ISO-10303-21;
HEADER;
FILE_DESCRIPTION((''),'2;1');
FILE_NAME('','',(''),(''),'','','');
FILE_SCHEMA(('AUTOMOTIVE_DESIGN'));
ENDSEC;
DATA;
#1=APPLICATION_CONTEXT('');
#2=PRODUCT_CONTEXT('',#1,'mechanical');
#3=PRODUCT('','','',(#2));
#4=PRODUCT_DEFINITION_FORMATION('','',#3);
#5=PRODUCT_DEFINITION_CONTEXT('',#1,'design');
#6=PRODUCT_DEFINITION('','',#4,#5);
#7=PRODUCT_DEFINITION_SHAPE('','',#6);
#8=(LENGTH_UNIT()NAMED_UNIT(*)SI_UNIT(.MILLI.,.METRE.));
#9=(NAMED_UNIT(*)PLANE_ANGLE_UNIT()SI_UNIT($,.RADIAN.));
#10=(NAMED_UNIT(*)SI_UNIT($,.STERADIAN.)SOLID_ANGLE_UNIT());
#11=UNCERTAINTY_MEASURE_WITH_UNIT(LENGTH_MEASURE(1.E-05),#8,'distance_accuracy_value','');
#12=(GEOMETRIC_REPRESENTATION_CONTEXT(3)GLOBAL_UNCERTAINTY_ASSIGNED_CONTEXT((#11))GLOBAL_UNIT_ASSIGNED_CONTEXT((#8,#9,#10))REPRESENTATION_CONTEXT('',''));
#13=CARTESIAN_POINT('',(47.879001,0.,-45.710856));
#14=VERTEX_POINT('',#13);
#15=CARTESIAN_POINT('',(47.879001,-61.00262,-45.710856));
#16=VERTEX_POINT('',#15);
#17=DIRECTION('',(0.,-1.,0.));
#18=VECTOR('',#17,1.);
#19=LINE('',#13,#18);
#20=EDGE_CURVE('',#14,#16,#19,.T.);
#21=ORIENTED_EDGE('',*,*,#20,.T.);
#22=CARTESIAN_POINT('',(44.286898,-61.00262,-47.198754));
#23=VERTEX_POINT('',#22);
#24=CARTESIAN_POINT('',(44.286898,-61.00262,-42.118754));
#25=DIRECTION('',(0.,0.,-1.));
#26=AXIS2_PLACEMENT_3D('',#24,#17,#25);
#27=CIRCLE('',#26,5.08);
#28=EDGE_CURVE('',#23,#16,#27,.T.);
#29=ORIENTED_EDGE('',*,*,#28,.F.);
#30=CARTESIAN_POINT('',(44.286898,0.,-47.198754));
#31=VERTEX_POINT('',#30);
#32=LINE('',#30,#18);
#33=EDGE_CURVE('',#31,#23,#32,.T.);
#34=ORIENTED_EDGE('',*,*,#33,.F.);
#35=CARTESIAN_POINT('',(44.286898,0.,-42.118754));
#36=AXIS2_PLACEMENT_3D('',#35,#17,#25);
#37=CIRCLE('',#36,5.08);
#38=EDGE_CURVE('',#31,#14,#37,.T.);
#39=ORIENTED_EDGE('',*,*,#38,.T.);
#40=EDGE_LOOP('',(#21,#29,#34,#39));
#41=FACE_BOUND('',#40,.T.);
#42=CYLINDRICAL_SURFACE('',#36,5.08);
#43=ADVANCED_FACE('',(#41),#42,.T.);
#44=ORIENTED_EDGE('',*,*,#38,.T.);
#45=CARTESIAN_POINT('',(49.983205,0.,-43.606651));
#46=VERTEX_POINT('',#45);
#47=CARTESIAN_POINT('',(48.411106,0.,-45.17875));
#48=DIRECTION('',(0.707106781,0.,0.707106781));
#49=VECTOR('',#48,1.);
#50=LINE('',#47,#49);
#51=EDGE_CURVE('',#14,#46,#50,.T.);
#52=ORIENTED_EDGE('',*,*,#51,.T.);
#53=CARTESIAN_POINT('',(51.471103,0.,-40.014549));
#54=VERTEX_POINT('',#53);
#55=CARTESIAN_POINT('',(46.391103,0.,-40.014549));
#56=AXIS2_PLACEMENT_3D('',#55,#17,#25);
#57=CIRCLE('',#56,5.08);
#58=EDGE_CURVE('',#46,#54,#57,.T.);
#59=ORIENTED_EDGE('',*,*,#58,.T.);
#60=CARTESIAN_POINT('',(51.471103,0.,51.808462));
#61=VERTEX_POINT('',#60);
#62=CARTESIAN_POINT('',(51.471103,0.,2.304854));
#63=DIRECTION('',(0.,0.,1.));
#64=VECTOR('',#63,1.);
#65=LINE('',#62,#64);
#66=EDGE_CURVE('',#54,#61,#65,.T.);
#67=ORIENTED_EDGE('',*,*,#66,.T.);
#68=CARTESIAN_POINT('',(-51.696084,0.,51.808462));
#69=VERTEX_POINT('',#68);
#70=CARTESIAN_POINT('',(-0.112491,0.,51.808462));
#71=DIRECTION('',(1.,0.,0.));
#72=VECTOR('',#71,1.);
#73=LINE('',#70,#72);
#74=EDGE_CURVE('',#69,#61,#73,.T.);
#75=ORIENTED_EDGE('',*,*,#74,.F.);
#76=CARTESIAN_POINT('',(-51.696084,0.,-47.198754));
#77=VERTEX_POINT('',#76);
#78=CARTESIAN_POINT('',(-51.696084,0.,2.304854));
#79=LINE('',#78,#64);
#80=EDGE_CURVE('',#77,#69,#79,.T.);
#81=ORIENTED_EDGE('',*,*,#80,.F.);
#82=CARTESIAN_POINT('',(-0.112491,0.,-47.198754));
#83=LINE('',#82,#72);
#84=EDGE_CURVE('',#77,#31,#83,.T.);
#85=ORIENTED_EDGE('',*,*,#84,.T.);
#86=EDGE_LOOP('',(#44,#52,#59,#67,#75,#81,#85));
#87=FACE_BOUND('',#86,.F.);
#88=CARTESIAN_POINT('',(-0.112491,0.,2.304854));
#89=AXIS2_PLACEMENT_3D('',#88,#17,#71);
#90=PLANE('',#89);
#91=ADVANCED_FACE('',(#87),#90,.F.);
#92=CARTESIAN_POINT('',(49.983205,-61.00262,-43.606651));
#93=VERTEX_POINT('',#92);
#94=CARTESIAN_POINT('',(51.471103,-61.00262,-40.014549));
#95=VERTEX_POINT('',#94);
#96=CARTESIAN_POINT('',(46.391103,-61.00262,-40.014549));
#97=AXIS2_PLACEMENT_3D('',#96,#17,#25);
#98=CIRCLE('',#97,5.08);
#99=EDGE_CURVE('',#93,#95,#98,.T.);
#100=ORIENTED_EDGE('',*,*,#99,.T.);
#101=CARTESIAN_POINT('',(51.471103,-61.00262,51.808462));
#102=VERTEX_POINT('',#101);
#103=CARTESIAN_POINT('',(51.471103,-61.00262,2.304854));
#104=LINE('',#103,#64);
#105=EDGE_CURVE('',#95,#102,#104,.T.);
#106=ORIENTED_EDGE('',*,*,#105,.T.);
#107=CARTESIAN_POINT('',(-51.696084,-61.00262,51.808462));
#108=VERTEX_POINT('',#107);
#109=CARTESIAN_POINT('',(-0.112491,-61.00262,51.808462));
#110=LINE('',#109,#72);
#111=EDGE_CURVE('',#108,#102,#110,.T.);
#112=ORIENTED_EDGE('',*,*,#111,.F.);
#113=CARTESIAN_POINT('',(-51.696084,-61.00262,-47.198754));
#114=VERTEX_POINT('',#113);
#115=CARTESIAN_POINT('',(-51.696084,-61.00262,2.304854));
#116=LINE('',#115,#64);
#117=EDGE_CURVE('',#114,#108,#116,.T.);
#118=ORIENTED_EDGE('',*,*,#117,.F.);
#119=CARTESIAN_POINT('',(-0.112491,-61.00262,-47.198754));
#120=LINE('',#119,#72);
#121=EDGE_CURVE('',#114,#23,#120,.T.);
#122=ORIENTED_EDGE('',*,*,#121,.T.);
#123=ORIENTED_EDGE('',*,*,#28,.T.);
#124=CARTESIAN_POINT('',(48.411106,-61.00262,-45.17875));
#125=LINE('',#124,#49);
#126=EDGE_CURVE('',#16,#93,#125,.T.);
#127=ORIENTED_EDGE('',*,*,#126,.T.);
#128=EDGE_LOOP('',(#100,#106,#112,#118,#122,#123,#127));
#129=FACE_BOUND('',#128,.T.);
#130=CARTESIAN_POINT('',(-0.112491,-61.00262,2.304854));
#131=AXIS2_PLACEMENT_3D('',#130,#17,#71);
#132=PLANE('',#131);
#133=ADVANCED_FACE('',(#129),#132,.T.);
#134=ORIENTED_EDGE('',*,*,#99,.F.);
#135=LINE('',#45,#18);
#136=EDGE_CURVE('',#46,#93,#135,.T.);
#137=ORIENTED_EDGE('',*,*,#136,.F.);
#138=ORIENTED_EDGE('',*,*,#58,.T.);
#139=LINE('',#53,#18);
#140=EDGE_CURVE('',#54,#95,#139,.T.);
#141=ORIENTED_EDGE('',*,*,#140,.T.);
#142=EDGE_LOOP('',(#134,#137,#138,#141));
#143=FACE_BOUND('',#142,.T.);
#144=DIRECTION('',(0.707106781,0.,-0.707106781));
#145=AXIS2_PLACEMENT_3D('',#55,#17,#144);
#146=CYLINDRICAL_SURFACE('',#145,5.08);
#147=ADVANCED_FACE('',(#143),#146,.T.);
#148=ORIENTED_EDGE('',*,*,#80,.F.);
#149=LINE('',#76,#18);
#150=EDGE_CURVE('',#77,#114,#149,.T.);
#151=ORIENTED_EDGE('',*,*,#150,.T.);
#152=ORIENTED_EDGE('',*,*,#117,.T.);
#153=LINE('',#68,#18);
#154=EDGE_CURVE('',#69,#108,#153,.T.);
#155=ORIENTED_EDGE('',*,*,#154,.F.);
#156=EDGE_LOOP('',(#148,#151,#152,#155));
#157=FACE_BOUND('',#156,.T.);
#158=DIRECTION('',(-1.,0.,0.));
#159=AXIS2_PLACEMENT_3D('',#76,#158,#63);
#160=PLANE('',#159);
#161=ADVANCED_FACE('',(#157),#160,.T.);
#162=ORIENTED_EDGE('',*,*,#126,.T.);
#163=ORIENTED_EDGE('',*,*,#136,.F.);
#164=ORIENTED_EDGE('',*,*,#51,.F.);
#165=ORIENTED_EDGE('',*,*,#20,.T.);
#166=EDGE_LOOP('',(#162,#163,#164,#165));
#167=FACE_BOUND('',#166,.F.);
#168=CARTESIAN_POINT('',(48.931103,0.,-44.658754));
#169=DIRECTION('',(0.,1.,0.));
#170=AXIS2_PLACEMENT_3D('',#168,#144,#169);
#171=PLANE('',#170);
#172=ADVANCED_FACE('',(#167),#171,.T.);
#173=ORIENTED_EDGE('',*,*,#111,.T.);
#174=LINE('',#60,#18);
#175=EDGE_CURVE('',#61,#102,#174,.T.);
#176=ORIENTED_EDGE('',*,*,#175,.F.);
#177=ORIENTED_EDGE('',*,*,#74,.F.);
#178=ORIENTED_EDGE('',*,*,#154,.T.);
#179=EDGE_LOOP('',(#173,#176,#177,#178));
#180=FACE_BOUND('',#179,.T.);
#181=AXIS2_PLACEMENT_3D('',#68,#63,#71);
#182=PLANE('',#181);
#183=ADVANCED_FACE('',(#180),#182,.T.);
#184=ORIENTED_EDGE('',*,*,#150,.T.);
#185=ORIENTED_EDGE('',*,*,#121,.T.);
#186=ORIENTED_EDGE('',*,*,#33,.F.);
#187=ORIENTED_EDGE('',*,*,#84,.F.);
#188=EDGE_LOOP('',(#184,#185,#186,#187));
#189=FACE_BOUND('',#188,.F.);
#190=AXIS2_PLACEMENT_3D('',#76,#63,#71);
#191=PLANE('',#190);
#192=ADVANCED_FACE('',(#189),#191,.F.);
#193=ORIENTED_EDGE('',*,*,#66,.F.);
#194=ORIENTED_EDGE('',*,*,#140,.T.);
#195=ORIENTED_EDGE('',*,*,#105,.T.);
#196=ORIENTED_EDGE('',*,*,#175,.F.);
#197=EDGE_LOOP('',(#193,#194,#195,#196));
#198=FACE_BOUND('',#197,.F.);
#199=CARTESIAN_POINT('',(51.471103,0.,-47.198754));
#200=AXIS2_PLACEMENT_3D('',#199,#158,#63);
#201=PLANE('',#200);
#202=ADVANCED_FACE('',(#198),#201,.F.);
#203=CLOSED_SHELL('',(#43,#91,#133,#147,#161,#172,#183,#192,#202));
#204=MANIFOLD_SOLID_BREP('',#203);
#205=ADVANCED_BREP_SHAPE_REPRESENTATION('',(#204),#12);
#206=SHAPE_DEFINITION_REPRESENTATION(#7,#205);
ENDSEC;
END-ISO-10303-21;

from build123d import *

# Parameters (mm, degrees)
F0_W     = 103.1671874225
F0_H     = 99.0072153509
F1_DEPTH = 61.00262
F2_SIZE  = 5.08
F3_R     = 5.08


with BuildPart() as f1:
    # F0 (on Front) → F1 (new body)
    with BuildSketch(Plane.XZ):
        with Locations((-0.1124907285, 2.3048538715)):
            Rectangle(F0_W, F0_H)
    extrude(amount=F1_DEPTH)

    # F2
    f2_edges = [f1.edges().sort_by_distance(p)[0] for p in [
        (51.471103, -30.50131, -47.198754),
    ]]
    chamfer(f2_edges, length=F2_SIZE)

    # F3
    f3_edges = [f1.edges().sort_by_distance(p)[0] for p in [
        (51.471103, -30.50131, -42.118754),
        (46.391103, -30.50131, -47.198754),
    ]]
    fillet(f3_edges, radius=F3_R)


solid = f1.part
